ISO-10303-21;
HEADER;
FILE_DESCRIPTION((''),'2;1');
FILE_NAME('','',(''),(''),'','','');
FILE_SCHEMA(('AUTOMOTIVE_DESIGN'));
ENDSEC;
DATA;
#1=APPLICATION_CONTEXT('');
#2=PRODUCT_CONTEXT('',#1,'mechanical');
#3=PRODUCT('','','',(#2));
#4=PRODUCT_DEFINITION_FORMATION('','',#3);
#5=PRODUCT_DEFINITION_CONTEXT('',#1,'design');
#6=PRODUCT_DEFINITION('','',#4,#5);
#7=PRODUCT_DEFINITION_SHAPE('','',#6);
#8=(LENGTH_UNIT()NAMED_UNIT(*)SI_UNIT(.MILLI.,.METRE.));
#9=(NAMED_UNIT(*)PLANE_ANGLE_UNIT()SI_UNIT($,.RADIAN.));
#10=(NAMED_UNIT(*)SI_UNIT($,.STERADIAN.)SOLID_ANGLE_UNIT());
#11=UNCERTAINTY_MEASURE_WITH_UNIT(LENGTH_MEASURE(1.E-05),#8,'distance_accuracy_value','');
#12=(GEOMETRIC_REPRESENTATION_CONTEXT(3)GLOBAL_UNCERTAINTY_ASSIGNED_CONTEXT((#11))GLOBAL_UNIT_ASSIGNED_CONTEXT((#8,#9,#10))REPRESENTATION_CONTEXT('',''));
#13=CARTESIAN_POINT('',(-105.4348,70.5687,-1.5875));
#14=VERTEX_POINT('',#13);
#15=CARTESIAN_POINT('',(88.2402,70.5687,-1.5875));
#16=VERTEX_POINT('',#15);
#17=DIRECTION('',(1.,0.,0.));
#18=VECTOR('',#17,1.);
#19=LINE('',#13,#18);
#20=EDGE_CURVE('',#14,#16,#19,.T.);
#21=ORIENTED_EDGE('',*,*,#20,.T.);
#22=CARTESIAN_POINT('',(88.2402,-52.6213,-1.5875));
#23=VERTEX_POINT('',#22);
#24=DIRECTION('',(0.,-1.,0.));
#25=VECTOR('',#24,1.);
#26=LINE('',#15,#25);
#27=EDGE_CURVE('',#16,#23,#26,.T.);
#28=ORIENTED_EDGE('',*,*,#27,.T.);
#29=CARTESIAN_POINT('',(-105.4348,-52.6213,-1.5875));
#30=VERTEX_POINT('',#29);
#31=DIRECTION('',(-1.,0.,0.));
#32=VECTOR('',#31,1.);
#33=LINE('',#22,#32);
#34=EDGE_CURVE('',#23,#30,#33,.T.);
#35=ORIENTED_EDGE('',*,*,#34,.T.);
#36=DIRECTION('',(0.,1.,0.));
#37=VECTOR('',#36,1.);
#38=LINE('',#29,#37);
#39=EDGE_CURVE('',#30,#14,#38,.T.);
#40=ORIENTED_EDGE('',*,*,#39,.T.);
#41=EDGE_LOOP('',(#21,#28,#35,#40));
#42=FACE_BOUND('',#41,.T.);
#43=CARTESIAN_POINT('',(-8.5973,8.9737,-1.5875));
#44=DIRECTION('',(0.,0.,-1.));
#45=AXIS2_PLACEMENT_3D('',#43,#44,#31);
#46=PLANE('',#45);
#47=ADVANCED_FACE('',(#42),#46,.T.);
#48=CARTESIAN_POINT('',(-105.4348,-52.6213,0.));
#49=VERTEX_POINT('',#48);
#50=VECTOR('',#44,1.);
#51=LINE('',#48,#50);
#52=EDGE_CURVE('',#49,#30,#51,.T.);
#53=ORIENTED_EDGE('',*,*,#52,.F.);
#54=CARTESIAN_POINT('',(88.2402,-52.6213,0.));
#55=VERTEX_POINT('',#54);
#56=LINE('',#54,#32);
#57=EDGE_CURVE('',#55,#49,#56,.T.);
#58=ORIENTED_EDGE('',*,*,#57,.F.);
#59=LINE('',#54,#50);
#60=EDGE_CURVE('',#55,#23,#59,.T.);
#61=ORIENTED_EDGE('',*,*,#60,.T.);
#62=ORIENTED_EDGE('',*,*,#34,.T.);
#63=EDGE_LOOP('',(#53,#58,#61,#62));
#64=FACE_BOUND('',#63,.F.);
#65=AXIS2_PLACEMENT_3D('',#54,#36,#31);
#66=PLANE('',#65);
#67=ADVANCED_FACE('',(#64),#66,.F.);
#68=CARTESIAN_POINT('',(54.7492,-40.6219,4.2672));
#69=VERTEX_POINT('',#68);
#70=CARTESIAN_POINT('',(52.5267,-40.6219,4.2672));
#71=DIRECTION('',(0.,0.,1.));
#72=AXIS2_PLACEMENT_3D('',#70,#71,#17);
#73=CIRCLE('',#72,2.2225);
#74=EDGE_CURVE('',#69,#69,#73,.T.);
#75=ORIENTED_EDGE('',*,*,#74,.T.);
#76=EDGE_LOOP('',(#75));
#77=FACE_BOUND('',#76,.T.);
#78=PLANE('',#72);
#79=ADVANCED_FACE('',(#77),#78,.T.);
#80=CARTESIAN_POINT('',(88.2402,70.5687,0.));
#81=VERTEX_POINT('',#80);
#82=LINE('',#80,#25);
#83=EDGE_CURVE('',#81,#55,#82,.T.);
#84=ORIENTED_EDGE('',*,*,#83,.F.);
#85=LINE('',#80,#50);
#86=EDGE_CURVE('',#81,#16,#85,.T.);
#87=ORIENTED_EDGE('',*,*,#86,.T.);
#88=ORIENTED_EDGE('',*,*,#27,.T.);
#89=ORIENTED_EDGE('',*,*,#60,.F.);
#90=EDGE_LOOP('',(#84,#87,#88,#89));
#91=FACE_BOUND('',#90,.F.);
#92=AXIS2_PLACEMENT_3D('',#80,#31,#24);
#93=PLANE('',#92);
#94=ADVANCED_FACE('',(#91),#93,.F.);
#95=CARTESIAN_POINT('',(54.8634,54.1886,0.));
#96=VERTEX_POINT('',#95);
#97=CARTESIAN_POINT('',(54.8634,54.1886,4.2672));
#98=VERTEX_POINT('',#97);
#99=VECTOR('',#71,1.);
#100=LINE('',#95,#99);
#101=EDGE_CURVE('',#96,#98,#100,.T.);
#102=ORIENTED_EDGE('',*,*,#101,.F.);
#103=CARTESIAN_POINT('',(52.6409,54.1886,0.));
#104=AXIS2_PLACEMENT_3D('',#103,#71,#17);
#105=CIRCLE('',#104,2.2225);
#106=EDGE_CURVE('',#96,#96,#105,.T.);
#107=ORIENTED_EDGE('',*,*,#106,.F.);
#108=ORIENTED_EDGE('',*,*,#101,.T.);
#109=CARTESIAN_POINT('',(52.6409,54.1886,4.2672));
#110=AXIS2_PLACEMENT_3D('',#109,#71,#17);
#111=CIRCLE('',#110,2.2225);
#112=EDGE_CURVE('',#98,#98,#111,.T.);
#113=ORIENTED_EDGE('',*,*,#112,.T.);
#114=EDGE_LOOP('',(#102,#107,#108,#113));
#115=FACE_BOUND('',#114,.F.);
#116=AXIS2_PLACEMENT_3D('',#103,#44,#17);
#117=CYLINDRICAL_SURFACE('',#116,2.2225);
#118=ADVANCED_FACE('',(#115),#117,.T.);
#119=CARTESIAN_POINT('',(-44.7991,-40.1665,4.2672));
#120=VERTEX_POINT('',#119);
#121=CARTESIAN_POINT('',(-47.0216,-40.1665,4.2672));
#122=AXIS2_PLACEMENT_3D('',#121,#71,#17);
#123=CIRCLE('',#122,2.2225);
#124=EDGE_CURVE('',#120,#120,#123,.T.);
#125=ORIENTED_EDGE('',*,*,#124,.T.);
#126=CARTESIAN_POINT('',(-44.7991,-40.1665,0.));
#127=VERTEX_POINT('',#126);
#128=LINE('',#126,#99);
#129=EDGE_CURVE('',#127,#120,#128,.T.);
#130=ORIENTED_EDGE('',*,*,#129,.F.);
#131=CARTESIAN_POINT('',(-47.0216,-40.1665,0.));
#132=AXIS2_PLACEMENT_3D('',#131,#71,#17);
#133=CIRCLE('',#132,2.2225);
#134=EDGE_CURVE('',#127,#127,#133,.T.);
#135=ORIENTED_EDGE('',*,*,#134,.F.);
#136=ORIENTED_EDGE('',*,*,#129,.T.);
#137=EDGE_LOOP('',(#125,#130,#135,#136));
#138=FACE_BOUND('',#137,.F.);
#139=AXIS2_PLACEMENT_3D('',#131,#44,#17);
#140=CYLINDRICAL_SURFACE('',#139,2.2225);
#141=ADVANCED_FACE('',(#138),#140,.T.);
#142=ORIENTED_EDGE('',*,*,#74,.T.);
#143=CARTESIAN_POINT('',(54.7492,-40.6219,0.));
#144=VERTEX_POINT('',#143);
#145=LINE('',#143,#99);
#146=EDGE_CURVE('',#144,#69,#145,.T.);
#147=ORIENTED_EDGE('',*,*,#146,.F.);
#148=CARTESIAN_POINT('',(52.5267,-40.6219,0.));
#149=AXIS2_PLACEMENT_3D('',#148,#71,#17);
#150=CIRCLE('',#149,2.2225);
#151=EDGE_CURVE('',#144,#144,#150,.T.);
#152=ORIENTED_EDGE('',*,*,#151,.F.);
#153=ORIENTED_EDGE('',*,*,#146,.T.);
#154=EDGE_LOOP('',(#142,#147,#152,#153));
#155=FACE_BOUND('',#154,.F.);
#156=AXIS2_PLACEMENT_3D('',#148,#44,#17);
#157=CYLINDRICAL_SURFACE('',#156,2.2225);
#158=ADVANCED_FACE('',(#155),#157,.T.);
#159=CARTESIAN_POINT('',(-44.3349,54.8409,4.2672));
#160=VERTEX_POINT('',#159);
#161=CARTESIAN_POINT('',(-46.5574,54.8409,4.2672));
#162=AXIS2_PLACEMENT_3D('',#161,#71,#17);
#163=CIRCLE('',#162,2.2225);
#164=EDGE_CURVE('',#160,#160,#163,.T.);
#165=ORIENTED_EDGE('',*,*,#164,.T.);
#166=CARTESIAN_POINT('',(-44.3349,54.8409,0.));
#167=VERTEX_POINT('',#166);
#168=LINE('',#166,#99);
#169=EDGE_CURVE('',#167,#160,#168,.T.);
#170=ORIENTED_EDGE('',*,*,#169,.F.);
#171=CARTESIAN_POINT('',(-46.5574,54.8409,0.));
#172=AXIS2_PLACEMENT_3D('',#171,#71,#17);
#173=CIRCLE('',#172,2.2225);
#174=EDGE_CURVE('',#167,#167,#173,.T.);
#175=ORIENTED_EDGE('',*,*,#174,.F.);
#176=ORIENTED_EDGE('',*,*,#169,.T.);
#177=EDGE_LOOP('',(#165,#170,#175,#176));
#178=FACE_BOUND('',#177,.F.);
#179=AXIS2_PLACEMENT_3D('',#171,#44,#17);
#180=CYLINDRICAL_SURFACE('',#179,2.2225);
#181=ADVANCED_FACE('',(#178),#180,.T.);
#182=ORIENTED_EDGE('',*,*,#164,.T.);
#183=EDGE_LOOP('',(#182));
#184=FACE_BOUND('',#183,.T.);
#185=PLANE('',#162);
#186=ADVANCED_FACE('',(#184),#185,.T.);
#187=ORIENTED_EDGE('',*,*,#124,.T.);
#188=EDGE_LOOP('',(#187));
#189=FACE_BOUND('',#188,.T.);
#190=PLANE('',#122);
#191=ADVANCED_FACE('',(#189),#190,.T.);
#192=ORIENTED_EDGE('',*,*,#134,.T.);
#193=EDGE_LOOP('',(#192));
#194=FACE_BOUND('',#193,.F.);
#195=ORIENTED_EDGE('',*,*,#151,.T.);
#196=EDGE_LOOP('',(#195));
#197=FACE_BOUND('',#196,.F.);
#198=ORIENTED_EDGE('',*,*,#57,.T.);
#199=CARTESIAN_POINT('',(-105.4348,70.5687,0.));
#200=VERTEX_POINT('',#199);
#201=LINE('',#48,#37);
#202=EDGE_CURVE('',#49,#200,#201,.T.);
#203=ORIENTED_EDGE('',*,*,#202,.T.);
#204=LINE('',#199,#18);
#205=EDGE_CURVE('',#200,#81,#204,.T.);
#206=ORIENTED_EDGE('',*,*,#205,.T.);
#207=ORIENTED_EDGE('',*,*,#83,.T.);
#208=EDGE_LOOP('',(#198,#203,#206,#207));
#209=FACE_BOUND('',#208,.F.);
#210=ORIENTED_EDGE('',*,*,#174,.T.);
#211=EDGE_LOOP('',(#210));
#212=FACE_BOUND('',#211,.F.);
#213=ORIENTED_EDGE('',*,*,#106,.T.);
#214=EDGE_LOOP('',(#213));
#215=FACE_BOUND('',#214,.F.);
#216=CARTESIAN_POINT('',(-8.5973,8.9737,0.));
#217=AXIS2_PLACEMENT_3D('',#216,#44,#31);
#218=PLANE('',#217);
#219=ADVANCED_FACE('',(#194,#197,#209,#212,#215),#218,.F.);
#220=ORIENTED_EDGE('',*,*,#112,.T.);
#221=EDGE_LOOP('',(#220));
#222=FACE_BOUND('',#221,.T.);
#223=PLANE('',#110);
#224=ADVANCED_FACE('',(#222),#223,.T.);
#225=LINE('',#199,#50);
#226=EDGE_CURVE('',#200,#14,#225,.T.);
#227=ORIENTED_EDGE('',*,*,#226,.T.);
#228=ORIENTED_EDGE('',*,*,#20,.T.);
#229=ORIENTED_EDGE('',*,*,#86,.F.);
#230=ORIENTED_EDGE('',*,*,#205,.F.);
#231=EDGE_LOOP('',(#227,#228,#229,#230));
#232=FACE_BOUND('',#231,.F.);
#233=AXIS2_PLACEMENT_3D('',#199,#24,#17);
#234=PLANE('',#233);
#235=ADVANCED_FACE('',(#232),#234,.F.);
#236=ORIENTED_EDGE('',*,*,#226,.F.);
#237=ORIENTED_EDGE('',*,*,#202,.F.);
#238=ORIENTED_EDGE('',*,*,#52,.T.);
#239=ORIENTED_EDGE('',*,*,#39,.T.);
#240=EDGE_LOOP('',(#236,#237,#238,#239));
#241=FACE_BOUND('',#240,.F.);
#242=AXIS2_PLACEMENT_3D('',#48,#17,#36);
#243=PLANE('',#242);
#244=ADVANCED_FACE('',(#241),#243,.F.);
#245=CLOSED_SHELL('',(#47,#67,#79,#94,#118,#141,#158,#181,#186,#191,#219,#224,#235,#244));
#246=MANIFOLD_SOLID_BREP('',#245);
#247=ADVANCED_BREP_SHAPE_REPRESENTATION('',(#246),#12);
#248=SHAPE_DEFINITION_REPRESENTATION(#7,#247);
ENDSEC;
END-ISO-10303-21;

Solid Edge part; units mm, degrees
sketch "Sketch1" plane through (0, 0, 0) normal (0, 0, 1) x (1, 0, 0)
  line L0 (88.2402, -52.6213) -> (-105.4348, -52.6213)
  line L1 (-105.4348, -52.6213) -> (-105.4348, 70.5687)
  line L2 (-105.4348, 70.5687) -> (88.2402, 70.5687)
  line L3 (88.2402, 70.5687) -> (88.2402, -52.6213)
extrude "Protrusion1" add sketch "Sketch1" against normal blind 1.5875
sketch "Sketch2" plane through (0, 0, 0) normal (0, 0, 1) x (1, 0, 0)
  circle A0 centre (-47.0216, -40.1665) radius 2.2225
  circle A1 centre (-46.5574, 54.8409) radius 2.2225
  circle A2 centre (52.6409, 54.1886) radius 2.2225
  circle A3 centre (52.5267, -40.6219) radius 2.2225
  dimension "D1" = 193.675
  dimension "D2" = 123.19
extrude "Protrusion2" add sketch "Sketch2" along normal up to vertex (4.2672 mm away)
